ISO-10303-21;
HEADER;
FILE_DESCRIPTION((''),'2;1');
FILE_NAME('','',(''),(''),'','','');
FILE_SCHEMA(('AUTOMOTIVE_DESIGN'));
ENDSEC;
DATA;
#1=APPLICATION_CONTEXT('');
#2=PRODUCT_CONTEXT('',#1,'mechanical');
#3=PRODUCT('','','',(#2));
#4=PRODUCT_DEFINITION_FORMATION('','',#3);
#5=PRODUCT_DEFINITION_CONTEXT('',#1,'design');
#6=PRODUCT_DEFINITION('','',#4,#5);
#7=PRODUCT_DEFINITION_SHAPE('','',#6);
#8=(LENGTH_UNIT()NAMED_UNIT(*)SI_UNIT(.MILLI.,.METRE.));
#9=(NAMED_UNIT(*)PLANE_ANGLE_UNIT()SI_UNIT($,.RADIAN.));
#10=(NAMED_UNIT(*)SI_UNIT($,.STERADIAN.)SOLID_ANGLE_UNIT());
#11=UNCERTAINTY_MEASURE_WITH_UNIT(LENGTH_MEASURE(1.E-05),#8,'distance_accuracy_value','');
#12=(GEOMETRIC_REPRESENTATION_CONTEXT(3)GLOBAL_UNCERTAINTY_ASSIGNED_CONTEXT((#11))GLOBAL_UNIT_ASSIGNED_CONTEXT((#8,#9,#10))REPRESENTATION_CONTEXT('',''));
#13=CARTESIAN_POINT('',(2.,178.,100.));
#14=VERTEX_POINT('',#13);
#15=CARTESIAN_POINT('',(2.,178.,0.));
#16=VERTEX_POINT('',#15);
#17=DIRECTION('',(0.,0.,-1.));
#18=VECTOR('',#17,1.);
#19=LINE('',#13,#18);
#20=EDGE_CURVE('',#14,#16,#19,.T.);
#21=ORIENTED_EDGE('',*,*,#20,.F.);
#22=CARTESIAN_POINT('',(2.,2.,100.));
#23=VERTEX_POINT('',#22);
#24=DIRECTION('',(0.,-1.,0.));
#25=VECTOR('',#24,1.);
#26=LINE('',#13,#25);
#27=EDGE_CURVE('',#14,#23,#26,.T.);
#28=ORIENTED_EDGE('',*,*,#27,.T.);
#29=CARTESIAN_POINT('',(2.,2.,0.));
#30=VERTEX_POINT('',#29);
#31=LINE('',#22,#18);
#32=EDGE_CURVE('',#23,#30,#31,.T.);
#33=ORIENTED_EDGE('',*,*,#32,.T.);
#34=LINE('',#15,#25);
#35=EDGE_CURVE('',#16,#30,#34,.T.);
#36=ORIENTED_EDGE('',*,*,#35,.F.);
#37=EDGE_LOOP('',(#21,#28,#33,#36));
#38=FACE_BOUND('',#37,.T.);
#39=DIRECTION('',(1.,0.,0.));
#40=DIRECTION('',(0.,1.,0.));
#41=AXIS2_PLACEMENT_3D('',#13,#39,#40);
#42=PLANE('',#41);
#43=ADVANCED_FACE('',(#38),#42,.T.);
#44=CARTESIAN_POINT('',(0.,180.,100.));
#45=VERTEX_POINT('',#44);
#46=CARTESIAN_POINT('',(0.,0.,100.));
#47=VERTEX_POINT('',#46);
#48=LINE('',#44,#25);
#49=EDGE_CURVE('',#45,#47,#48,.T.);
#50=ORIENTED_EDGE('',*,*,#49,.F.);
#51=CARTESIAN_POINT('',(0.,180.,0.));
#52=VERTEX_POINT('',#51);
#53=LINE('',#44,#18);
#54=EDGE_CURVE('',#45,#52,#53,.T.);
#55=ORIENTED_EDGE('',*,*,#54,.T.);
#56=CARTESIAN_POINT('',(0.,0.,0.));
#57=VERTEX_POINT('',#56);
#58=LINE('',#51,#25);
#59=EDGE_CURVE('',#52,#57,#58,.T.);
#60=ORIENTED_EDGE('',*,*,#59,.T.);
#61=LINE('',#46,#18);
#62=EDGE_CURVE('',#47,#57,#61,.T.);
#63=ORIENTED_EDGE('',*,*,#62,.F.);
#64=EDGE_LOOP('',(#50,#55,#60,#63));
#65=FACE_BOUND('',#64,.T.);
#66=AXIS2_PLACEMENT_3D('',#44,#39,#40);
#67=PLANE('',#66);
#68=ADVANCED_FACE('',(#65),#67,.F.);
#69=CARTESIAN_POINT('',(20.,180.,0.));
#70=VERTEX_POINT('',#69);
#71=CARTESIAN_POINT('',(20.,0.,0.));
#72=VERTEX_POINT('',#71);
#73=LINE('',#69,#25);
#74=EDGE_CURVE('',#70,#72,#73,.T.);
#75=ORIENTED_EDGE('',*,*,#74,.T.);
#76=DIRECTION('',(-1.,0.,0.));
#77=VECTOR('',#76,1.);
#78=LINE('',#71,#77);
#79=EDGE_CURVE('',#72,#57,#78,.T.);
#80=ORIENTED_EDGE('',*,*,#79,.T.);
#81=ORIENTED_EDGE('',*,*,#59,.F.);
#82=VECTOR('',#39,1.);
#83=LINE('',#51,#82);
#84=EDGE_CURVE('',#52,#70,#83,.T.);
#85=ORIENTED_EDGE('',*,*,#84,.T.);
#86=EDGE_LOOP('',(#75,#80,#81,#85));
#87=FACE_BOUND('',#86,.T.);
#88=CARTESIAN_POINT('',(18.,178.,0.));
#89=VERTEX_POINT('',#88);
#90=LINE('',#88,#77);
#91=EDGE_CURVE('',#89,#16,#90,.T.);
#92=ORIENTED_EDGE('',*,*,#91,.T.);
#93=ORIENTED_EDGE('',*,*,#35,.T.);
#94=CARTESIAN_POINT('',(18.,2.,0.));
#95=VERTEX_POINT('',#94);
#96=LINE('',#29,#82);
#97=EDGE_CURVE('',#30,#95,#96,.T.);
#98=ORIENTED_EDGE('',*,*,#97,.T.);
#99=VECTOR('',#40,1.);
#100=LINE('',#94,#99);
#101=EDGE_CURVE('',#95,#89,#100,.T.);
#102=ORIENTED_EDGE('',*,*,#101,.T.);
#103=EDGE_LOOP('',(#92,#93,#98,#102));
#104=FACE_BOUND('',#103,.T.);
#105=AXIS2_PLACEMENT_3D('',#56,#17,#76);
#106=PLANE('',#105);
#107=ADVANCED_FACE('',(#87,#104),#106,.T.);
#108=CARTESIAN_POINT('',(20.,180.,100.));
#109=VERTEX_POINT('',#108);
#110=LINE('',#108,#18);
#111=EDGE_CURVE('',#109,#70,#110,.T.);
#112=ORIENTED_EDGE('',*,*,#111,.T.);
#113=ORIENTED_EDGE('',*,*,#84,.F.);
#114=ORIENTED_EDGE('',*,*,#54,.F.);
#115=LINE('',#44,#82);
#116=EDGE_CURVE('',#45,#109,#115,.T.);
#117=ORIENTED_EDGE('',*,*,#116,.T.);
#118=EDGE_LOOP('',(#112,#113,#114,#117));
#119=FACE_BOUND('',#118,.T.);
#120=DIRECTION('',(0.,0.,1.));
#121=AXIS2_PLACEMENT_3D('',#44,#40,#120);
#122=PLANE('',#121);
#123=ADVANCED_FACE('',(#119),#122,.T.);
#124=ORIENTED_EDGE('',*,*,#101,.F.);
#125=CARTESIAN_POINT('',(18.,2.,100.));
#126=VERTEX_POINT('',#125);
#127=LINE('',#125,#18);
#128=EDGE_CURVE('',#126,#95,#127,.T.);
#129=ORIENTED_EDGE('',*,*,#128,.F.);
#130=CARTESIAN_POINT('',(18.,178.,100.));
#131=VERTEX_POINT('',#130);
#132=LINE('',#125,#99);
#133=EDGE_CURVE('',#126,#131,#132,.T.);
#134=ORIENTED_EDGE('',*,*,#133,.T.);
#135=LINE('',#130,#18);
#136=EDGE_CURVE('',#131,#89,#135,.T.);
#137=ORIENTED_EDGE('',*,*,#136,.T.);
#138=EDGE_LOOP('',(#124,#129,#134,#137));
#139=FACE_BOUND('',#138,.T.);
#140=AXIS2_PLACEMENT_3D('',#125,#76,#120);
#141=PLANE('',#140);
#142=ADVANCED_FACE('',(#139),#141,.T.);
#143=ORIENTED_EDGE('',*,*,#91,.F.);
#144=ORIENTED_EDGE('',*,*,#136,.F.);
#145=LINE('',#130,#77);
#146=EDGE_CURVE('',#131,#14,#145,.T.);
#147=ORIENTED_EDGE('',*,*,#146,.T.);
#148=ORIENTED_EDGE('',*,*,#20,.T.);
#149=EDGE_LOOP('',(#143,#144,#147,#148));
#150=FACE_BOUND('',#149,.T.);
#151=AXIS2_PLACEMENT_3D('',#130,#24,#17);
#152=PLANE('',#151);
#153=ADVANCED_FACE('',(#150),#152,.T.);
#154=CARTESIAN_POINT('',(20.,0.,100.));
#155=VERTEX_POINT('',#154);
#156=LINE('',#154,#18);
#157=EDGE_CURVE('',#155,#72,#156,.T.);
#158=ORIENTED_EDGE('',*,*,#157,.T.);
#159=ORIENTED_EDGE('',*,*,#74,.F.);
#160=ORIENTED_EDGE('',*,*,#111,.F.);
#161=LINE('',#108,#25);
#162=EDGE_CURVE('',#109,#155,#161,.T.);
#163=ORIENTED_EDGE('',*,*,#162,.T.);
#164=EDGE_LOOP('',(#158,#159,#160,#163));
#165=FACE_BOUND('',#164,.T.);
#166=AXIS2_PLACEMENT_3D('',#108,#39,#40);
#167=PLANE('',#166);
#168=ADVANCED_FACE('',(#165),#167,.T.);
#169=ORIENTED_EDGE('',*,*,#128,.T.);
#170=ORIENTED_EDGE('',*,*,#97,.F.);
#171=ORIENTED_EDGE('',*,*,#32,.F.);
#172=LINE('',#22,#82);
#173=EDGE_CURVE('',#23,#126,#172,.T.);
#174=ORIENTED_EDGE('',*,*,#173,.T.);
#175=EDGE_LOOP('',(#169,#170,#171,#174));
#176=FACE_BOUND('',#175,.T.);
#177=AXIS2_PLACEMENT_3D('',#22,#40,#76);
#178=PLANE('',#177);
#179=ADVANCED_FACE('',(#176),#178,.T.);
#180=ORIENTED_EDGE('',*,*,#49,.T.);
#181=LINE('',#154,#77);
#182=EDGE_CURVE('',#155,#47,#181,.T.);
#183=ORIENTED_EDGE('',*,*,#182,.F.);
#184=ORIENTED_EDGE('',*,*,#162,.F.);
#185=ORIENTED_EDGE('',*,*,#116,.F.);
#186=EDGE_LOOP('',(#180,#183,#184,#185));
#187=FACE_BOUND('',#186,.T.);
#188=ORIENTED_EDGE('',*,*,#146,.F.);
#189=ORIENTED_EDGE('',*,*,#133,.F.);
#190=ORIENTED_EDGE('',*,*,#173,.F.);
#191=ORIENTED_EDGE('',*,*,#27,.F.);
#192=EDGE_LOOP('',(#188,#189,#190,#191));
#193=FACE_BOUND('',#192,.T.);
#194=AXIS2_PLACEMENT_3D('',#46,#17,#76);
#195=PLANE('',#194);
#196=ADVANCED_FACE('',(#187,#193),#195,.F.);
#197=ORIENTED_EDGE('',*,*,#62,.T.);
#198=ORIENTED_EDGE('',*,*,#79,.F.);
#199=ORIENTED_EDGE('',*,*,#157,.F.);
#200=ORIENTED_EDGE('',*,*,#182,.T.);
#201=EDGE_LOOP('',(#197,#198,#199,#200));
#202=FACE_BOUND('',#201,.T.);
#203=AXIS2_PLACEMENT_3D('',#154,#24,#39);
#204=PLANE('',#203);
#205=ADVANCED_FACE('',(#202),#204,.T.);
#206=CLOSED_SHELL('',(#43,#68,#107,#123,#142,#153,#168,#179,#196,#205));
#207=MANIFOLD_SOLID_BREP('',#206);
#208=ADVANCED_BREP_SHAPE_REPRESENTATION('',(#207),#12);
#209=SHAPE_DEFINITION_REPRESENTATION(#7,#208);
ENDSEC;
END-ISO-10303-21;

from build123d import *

# Parameters (mm, degrees)
ESQUISSE1_W        = 20
ESQUISSE1_H        = 180
ESQUISSE1_W_2      = 16
ESQUISSE1_H_2      = 176
BOSS_EXTRU_2_DEPTH = 100


with BuildPart() as part:
    # Esquisse1 → Boss.-Extru.2 (new body)
    with BuildSketch(Plane.XY):
        with Locations((10, 90)):
            Rectangle(ESQUISSE1_W, ESQUISSE1_H)
        with Locations((10, 90)):
            Rectangle(ESQUISSE1_W_2, ESQUISSE1_H_2, mode=Mode.SUBTRACT)
    extrude(amount=BOSS_EXTRU_2_DEPTH)


solid = part.part
